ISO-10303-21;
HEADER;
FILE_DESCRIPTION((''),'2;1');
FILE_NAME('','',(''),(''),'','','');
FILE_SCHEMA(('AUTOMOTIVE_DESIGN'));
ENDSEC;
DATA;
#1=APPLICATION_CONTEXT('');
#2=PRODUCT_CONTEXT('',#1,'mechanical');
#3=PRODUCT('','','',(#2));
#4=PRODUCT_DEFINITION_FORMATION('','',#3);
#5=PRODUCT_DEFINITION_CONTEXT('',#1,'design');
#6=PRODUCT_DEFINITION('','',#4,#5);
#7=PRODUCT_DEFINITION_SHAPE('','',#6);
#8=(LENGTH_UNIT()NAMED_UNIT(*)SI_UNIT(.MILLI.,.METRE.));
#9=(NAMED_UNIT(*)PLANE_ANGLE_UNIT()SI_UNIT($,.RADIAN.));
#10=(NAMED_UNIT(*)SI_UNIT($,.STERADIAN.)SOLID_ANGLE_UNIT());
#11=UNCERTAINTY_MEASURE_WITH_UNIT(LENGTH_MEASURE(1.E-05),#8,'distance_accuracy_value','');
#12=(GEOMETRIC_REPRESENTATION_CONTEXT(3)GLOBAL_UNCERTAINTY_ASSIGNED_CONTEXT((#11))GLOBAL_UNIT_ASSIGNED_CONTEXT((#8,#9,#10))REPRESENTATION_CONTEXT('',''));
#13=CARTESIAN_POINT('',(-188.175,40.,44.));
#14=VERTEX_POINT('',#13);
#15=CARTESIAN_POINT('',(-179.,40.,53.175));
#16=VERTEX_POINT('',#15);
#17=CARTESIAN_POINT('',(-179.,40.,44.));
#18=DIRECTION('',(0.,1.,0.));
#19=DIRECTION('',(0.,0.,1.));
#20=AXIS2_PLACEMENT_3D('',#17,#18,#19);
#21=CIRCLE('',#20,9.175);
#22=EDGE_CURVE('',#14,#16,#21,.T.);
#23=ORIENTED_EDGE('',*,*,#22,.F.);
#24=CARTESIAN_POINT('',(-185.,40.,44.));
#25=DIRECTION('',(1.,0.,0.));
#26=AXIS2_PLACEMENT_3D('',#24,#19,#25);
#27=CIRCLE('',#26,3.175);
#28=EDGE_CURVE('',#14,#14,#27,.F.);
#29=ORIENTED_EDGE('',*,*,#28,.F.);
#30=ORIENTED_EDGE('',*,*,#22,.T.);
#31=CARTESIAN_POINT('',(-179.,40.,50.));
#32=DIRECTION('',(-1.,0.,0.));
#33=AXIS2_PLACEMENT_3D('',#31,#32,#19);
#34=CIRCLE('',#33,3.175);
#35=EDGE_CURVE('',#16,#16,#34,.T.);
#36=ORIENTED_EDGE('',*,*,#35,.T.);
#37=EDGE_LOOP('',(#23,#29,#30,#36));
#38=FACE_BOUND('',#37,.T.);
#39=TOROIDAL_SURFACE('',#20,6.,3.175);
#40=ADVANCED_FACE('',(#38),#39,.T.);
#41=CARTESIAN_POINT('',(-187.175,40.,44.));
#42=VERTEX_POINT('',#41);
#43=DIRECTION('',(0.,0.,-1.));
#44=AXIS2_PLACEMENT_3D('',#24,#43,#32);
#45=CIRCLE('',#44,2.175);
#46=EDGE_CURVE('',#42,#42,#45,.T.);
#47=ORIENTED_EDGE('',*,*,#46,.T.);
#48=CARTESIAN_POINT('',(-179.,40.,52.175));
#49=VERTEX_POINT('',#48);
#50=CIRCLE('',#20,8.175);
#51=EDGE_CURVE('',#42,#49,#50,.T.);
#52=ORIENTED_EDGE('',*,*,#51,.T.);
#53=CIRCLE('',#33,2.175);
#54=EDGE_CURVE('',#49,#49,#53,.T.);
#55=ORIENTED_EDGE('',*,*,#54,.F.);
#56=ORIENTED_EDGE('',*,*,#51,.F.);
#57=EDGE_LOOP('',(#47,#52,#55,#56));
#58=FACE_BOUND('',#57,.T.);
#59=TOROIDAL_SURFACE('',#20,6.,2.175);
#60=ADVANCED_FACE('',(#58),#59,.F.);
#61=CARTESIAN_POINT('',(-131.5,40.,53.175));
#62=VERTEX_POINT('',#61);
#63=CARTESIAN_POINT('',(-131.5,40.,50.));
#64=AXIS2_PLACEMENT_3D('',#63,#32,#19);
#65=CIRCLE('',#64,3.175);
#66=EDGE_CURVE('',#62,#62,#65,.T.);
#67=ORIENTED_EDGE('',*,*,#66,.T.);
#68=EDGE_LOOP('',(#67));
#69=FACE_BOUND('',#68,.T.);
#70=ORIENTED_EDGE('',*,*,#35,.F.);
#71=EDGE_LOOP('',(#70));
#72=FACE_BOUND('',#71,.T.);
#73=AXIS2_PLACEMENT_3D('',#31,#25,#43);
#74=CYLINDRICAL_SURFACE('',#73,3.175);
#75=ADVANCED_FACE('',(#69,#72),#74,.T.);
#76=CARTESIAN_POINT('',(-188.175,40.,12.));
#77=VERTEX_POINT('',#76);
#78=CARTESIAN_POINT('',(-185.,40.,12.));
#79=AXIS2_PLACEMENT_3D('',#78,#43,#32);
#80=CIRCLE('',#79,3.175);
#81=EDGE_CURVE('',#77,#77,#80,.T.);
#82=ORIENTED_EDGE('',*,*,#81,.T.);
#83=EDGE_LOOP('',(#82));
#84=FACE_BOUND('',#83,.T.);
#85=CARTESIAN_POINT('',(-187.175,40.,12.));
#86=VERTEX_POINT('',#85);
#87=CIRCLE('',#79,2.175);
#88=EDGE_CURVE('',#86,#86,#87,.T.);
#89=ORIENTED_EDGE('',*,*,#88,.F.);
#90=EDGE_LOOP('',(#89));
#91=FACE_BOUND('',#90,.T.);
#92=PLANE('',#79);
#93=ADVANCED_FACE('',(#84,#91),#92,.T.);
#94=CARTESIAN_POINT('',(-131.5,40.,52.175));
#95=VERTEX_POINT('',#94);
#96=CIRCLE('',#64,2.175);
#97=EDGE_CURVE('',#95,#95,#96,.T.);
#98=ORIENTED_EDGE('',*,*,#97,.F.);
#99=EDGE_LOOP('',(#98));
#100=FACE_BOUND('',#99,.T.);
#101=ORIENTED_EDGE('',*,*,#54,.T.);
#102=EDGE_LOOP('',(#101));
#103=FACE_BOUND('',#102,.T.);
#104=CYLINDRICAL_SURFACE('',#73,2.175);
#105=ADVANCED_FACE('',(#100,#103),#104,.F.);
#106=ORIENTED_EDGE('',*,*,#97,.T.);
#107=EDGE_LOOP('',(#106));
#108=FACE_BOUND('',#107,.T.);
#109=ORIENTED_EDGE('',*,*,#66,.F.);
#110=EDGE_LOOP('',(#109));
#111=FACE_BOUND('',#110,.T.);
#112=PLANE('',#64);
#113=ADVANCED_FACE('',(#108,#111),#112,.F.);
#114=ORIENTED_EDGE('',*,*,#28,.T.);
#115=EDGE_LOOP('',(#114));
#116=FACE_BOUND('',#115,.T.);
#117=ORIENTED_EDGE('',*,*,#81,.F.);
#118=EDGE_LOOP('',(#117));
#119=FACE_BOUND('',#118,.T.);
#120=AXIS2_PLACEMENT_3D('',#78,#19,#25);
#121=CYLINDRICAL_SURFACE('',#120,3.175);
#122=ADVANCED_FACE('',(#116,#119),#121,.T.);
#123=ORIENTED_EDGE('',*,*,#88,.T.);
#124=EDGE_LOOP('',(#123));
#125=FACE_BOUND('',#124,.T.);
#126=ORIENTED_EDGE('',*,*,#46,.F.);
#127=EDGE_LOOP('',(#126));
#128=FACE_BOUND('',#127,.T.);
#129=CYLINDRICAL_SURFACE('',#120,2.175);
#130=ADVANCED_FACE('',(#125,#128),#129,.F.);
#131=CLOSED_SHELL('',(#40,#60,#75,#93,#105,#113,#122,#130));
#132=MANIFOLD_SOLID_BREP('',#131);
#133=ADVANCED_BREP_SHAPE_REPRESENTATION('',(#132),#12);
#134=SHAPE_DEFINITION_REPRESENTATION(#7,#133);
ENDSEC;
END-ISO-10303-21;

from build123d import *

# Parameters (mm, degrees)
TUBE_PROFILE_R   = 3.175
TUBE_PROFILE_R_2 = 2.175


with BuildPart() as part:
    # Tube: sweep along a curve in space
    with BuildLine() as tube_path:
        Line((-185, 40, 12), (-185, 40, 44))
        ThreePointArc((-179, 40, 50), (-183.242640687, 40, 48.242640687), (-185, 40, 44))
        Line((-179, 40, 50), (-131.5, 40, 50))
    # Tube profile (on start of the path) → Tube (sweep)
    with BuildSketch(Plane(origin=(-185, 40, 12), x_dir=(1, 0, 0), z_dir=(0, 0, 1))):
        Circle(TUBE_PROFILE_R)
        Circle(TUBE_PROFILE_R_2, mode=Mode.SUBTRACT)
    sweep(path=tube_path.line)


solid = part.part
